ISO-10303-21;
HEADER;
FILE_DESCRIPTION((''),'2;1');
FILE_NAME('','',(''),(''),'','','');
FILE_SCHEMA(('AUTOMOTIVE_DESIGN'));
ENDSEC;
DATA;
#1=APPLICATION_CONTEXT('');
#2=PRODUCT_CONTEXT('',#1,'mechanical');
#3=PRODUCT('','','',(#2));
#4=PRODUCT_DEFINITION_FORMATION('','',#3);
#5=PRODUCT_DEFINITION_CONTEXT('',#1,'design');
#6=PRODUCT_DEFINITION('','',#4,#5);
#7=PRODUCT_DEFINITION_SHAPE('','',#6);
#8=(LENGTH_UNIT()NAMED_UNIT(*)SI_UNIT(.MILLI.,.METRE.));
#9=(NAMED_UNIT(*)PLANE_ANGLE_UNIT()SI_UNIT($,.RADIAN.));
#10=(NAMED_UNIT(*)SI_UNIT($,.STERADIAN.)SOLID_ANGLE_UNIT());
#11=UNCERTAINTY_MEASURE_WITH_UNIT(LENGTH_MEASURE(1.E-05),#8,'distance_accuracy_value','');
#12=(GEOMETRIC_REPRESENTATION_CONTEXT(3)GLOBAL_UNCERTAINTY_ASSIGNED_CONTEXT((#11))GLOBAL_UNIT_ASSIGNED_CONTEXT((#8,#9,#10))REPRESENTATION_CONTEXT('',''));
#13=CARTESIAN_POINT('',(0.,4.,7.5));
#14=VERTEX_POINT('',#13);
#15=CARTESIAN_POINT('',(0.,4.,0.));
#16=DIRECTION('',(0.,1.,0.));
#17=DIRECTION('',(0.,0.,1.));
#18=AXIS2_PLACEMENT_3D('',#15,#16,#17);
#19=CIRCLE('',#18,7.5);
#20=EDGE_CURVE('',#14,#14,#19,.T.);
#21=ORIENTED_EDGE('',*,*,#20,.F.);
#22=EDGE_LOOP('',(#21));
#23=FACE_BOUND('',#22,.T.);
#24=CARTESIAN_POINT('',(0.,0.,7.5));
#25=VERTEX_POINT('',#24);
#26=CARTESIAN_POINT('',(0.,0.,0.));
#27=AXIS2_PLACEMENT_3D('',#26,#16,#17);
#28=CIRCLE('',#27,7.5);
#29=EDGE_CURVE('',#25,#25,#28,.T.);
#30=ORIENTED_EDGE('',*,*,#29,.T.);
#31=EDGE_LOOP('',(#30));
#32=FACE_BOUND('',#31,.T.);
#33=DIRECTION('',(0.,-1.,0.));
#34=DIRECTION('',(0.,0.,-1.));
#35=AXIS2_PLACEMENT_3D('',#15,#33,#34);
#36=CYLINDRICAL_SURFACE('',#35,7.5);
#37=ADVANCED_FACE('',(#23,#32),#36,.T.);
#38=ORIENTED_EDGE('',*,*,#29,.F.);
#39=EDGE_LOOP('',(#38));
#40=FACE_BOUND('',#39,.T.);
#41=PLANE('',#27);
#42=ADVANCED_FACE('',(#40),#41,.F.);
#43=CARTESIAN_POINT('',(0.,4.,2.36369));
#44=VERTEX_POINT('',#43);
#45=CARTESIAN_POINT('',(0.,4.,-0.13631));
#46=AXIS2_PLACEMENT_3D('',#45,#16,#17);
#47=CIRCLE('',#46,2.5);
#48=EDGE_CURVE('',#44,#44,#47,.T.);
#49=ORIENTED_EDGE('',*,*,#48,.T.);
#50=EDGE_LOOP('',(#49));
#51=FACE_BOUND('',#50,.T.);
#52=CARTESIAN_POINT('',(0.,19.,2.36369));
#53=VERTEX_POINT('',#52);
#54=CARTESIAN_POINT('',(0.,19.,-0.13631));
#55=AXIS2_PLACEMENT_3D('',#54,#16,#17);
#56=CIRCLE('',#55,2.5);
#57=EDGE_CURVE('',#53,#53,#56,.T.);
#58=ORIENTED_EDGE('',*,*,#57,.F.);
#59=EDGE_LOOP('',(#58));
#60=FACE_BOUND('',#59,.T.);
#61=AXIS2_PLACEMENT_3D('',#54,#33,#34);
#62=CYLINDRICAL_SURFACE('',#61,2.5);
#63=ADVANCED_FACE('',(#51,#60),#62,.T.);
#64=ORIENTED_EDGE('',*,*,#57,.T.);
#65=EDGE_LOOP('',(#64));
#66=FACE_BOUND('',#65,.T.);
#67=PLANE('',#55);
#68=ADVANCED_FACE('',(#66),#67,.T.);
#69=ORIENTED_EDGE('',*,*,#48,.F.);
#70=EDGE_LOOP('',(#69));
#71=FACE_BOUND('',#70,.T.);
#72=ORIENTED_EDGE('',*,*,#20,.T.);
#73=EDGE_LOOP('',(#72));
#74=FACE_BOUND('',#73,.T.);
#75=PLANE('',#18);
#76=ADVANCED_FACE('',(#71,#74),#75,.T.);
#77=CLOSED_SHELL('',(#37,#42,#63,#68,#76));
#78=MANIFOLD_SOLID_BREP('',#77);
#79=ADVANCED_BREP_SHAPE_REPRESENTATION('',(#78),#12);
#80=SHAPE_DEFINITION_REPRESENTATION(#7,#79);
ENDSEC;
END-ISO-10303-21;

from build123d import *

# Parameters (mm, degrees)
SKETCH_1_R      = 7.5
EXTRUDE_1_DEPTH = 4
SKETCH_2_R      = 2.5
EXTRUDE_2_DEPTH = 15


with BuildPart() as part:
    # Эскиз1 → Бобышка-Вытянуть1 (new body)
    with BuildSketch(Plane(origin=(0, 0, 0), x_dir=(1, 0, 0), z_dir=(0, 1, 0))):
        Circle(SKETCH_1_R)
    extrude(amount=EXTRUDE_1_DEPTH)

    # Эскиз2 → Бобышка-Вытянуть2 (add)
    with BuildSketch(Plane(origin=(0, 4, 0), x_dir=(1, 0, 0), z_dir=(0, 1, 0))):
        with Locations((0, 0.136309696)):
            Circle(SKETCH_2_R)
    extrude(amount=EXTRUDE_2_DEPTH)


solid = part.part
